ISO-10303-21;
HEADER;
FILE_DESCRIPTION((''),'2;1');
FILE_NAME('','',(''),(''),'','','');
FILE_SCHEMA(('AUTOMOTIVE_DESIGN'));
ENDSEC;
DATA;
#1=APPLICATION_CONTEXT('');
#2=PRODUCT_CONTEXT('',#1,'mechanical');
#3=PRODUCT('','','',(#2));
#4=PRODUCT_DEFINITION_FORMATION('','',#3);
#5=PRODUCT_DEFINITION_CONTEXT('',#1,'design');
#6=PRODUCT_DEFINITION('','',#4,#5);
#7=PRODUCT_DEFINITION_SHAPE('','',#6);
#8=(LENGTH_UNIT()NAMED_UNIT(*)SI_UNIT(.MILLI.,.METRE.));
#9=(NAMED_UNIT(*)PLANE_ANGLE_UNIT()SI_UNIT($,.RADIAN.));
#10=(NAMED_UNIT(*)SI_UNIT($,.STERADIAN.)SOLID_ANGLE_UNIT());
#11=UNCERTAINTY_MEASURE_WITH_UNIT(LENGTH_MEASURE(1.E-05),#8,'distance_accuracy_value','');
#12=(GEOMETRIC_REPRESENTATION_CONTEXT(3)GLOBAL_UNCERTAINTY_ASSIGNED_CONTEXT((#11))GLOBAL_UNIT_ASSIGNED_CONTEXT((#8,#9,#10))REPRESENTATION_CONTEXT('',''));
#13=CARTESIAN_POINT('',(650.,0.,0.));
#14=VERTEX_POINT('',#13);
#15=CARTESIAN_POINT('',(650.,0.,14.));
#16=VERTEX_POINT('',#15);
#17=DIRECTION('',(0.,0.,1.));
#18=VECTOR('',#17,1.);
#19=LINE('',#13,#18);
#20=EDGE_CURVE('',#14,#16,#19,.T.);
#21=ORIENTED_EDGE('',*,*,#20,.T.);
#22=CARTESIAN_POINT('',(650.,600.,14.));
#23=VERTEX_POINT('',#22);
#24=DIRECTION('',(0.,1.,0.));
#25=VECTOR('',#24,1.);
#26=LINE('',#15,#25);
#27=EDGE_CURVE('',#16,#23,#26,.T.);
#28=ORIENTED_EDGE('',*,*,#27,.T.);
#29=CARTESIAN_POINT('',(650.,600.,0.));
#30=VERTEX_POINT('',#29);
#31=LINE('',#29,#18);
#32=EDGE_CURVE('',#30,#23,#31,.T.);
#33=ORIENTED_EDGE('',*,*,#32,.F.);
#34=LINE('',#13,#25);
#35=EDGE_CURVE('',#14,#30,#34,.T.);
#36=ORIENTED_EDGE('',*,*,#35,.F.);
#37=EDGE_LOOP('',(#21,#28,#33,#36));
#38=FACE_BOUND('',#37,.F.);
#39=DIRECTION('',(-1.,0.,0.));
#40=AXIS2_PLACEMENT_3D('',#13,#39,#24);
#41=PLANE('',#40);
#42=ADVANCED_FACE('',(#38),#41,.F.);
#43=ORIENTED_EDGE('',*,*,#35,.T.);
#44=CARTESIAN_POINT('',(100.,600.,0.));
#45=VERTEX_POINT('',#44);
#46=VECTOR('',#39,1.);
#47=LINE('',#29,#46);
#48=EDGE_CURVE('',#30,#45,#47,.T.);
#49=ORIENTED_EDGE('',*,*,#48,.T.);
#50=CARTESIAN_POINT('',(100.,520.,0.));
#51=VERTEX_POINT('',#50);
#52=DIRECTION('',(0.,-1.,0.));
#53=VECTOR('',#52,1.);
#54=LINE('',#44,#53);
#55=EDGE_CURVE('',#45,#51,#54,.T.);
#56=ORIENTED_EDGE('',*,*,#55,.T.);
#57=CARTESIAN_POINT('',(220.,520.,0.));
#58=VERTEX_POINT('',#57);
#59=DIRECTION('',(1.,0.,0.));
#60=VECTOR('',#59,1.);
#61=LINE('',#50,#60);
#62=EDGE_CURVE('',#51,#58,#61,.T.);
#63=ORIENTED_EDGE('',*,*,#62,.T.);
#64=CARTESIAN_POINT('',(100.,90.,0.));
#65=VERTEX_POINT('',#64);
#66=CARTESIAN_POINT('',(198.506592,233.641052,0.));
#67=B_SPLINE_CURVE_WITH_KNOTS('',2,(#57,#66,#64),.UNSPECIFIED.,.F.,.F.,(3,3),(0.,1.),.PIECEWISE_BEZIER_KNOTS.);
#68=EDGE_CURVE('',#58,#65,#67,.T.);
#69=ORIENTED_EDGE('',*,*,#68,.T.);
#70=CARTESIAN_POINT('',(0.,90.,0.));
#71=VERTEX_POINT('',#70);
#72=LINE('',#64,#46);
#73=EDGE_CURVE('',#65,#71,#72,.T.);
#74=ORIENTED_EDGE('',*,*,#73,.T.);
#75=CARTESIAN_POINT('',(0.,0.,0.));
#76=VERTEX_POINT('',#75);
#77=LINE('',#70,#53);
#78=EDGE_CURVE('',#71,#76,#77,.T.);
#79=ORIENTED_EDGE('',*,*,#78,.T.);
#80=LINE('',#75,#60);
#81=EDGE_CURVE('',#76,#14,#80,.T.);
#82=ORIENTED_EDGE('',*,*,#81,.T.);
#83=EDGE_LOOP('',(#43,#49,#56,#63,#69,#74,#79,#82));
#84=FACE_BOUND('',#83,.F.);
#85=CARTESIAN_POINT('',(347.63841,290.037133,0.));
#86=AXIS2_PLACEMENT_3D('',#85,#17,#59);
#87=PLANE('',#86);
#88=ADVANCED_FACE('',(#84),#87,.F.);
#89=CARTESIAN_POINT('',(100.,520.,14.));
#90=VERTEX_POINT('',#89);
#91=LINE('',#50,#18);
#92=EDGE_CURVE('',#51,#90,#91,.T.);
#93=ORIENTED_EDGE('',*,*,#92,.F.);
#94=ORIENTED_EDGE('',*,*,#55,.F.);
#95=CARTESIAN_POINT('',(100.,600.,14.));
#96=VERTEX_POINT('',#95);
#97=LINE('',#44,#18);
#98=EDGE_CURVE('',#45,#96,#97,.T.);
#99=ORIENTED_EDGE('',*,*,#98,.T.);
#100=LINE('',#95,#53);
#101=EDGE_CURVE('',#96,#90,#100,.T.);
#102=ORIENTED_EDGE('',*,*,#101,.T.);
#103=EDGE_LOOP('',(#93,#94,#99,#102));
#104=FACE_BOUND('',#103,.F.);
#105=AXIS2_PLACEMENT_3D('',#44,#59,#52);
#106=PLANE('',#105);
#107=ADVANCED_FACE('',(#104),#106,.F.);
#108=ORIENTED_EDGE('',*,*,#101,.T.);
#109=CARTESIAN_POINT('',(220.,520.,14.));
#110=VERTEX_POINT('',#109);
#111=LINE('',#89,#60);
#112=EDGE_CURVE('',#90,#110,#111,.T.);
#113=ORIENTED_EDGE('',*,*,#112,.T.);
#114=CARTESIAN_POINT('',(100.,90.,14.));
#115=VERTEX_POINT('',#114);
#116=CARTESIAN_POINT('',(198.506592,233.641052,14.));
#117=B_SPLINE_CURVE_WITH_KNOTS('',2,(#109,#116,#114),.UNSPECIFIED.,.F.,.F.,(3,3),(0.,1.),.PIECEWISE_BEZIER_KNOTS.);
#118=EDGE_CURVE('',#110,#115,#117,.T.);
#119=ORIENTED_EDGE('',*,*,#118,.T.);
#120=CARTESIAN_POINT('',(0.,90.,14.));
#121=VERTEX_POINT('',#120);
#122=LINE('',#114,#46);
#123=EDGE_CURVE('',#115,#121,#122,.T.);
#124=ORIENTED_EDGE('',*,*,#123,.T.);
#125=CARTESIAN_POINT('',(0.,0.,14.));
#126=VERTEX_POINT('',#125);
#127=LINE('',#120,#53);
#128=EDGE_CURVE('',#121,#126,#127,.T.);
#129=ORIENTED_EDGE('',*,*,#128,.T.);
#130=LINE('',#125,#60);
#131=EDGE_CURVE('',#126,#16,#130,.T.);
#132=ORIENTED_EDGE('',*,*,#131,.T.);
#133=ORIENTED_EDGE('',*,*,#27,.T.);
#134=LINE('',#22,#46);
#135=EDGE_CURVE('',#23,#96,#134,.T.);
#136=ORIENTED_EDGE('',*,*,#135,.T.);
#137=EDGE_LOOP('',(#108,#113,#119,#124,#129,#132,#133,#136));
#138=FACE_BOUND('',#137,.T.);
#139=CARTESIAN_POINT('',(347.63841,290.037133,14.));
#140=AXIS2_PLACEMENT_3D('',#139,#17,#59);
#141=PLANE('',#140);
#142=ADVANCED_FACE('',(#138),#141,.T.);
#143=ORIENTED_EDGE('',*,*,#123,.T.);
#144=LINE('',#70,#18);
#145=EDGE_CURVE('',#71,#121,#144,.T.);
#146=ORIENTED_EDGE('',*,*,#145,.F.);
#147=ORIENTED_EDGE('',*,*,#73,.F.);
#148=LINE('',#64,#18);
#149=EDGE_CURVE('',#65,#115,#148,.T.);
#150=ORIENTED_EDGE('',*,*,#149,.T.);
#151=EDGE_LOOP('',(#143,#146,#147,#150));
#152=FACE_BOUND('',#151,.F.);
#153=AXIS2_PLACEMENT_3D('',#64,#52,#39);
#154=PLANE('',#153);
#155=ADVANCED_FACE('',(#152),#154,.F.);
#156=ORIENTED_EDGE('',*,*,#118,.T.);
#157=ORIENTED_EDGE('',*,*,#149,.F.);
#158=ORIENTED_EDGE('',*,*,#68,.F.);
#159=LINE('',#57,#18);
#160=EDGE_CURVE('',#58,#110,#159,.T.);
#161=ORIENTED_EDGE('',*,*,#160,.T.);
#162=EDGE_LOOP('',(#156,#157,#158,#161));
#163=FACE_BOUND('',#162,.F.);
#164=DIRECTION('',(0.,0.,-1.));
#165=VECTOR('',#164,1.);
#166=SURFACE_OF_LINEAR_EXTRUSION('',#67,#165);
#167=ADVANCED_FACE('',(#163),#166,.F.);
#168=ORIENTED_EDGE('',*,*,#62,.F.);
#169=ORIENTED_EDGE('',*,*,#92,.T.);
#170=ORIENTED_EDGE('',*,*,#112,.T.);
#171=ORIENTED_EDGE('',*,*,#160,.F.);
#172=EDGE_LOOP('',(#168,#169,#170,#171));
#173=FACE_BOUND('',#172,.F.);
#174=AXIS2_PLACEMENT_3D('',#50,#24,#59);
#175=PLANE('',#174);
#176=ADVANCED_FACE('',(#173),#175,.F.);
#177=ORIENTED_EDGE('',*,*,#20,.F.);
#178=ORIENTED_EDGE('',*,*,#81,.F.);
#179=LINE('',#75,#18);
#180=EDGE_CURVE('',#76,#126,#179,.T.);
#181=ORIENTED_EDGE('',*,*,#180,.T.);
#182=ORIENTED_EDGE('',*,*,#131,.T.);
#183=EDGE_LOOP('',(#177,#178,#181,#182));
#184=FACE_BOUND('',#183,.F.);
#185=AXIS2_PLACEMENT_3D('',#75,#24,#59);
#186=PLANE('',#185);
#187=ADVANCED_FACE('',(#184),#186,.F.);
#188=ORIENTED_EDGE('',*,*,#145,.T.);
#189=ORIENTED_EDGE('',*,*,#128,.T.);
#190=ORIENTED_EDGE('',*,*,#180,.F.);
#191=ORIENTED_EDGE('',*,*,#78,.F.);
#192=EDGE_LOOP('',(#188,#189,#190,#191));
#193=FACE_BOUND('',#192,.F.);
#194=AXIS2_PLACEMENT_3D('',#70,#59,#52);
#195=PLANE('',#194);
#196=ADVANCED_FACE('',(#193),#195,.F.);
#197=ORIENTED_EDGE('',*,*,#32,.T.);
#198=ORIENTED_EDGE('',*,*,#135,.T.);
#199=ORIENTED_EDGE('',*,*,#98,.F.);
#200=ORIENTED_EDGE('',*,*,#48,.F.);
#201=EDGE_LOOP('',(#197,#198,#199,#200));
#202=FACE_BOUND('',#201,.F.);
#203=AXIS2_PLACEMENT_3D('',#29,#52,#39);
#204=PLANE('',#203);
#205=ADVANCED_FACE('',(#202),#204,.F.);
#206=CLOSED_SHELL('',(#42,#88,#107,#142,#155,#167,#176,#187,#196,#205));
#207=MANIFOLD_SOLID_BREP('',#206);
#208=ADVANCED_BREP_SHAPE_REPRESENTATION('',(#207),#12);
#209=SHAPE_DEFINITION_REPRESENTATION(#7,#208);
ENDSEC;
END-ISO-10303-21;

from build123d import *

# Parameters (mm, degrees)
PAD_DEPTH = 14


with BuildPart() as part:
    # Sketch → Pad (new body)
    with BuildSketch(Plane.XY):
        with BuildLine():
            Line((0, 0), (650, 0))
            Line((650, 0), (650, 600))
            Line((650, 600), (100, 600))
            Line((100, 600), (100, 520))
            Line((100, 520), (220, 520))
            add(Edge.make_bspline(
                [(220, 520), (198.506592, 233.641052), (100, 90)],
                knots=[0, 0, 0, 1, 1, 1], degree=2))
            Line((100, 90), (0, 90))
            Line((0, 90), (0, 0))
        make_face()
    extrude(amount=PAD_DEPTH)


solid = part.part
